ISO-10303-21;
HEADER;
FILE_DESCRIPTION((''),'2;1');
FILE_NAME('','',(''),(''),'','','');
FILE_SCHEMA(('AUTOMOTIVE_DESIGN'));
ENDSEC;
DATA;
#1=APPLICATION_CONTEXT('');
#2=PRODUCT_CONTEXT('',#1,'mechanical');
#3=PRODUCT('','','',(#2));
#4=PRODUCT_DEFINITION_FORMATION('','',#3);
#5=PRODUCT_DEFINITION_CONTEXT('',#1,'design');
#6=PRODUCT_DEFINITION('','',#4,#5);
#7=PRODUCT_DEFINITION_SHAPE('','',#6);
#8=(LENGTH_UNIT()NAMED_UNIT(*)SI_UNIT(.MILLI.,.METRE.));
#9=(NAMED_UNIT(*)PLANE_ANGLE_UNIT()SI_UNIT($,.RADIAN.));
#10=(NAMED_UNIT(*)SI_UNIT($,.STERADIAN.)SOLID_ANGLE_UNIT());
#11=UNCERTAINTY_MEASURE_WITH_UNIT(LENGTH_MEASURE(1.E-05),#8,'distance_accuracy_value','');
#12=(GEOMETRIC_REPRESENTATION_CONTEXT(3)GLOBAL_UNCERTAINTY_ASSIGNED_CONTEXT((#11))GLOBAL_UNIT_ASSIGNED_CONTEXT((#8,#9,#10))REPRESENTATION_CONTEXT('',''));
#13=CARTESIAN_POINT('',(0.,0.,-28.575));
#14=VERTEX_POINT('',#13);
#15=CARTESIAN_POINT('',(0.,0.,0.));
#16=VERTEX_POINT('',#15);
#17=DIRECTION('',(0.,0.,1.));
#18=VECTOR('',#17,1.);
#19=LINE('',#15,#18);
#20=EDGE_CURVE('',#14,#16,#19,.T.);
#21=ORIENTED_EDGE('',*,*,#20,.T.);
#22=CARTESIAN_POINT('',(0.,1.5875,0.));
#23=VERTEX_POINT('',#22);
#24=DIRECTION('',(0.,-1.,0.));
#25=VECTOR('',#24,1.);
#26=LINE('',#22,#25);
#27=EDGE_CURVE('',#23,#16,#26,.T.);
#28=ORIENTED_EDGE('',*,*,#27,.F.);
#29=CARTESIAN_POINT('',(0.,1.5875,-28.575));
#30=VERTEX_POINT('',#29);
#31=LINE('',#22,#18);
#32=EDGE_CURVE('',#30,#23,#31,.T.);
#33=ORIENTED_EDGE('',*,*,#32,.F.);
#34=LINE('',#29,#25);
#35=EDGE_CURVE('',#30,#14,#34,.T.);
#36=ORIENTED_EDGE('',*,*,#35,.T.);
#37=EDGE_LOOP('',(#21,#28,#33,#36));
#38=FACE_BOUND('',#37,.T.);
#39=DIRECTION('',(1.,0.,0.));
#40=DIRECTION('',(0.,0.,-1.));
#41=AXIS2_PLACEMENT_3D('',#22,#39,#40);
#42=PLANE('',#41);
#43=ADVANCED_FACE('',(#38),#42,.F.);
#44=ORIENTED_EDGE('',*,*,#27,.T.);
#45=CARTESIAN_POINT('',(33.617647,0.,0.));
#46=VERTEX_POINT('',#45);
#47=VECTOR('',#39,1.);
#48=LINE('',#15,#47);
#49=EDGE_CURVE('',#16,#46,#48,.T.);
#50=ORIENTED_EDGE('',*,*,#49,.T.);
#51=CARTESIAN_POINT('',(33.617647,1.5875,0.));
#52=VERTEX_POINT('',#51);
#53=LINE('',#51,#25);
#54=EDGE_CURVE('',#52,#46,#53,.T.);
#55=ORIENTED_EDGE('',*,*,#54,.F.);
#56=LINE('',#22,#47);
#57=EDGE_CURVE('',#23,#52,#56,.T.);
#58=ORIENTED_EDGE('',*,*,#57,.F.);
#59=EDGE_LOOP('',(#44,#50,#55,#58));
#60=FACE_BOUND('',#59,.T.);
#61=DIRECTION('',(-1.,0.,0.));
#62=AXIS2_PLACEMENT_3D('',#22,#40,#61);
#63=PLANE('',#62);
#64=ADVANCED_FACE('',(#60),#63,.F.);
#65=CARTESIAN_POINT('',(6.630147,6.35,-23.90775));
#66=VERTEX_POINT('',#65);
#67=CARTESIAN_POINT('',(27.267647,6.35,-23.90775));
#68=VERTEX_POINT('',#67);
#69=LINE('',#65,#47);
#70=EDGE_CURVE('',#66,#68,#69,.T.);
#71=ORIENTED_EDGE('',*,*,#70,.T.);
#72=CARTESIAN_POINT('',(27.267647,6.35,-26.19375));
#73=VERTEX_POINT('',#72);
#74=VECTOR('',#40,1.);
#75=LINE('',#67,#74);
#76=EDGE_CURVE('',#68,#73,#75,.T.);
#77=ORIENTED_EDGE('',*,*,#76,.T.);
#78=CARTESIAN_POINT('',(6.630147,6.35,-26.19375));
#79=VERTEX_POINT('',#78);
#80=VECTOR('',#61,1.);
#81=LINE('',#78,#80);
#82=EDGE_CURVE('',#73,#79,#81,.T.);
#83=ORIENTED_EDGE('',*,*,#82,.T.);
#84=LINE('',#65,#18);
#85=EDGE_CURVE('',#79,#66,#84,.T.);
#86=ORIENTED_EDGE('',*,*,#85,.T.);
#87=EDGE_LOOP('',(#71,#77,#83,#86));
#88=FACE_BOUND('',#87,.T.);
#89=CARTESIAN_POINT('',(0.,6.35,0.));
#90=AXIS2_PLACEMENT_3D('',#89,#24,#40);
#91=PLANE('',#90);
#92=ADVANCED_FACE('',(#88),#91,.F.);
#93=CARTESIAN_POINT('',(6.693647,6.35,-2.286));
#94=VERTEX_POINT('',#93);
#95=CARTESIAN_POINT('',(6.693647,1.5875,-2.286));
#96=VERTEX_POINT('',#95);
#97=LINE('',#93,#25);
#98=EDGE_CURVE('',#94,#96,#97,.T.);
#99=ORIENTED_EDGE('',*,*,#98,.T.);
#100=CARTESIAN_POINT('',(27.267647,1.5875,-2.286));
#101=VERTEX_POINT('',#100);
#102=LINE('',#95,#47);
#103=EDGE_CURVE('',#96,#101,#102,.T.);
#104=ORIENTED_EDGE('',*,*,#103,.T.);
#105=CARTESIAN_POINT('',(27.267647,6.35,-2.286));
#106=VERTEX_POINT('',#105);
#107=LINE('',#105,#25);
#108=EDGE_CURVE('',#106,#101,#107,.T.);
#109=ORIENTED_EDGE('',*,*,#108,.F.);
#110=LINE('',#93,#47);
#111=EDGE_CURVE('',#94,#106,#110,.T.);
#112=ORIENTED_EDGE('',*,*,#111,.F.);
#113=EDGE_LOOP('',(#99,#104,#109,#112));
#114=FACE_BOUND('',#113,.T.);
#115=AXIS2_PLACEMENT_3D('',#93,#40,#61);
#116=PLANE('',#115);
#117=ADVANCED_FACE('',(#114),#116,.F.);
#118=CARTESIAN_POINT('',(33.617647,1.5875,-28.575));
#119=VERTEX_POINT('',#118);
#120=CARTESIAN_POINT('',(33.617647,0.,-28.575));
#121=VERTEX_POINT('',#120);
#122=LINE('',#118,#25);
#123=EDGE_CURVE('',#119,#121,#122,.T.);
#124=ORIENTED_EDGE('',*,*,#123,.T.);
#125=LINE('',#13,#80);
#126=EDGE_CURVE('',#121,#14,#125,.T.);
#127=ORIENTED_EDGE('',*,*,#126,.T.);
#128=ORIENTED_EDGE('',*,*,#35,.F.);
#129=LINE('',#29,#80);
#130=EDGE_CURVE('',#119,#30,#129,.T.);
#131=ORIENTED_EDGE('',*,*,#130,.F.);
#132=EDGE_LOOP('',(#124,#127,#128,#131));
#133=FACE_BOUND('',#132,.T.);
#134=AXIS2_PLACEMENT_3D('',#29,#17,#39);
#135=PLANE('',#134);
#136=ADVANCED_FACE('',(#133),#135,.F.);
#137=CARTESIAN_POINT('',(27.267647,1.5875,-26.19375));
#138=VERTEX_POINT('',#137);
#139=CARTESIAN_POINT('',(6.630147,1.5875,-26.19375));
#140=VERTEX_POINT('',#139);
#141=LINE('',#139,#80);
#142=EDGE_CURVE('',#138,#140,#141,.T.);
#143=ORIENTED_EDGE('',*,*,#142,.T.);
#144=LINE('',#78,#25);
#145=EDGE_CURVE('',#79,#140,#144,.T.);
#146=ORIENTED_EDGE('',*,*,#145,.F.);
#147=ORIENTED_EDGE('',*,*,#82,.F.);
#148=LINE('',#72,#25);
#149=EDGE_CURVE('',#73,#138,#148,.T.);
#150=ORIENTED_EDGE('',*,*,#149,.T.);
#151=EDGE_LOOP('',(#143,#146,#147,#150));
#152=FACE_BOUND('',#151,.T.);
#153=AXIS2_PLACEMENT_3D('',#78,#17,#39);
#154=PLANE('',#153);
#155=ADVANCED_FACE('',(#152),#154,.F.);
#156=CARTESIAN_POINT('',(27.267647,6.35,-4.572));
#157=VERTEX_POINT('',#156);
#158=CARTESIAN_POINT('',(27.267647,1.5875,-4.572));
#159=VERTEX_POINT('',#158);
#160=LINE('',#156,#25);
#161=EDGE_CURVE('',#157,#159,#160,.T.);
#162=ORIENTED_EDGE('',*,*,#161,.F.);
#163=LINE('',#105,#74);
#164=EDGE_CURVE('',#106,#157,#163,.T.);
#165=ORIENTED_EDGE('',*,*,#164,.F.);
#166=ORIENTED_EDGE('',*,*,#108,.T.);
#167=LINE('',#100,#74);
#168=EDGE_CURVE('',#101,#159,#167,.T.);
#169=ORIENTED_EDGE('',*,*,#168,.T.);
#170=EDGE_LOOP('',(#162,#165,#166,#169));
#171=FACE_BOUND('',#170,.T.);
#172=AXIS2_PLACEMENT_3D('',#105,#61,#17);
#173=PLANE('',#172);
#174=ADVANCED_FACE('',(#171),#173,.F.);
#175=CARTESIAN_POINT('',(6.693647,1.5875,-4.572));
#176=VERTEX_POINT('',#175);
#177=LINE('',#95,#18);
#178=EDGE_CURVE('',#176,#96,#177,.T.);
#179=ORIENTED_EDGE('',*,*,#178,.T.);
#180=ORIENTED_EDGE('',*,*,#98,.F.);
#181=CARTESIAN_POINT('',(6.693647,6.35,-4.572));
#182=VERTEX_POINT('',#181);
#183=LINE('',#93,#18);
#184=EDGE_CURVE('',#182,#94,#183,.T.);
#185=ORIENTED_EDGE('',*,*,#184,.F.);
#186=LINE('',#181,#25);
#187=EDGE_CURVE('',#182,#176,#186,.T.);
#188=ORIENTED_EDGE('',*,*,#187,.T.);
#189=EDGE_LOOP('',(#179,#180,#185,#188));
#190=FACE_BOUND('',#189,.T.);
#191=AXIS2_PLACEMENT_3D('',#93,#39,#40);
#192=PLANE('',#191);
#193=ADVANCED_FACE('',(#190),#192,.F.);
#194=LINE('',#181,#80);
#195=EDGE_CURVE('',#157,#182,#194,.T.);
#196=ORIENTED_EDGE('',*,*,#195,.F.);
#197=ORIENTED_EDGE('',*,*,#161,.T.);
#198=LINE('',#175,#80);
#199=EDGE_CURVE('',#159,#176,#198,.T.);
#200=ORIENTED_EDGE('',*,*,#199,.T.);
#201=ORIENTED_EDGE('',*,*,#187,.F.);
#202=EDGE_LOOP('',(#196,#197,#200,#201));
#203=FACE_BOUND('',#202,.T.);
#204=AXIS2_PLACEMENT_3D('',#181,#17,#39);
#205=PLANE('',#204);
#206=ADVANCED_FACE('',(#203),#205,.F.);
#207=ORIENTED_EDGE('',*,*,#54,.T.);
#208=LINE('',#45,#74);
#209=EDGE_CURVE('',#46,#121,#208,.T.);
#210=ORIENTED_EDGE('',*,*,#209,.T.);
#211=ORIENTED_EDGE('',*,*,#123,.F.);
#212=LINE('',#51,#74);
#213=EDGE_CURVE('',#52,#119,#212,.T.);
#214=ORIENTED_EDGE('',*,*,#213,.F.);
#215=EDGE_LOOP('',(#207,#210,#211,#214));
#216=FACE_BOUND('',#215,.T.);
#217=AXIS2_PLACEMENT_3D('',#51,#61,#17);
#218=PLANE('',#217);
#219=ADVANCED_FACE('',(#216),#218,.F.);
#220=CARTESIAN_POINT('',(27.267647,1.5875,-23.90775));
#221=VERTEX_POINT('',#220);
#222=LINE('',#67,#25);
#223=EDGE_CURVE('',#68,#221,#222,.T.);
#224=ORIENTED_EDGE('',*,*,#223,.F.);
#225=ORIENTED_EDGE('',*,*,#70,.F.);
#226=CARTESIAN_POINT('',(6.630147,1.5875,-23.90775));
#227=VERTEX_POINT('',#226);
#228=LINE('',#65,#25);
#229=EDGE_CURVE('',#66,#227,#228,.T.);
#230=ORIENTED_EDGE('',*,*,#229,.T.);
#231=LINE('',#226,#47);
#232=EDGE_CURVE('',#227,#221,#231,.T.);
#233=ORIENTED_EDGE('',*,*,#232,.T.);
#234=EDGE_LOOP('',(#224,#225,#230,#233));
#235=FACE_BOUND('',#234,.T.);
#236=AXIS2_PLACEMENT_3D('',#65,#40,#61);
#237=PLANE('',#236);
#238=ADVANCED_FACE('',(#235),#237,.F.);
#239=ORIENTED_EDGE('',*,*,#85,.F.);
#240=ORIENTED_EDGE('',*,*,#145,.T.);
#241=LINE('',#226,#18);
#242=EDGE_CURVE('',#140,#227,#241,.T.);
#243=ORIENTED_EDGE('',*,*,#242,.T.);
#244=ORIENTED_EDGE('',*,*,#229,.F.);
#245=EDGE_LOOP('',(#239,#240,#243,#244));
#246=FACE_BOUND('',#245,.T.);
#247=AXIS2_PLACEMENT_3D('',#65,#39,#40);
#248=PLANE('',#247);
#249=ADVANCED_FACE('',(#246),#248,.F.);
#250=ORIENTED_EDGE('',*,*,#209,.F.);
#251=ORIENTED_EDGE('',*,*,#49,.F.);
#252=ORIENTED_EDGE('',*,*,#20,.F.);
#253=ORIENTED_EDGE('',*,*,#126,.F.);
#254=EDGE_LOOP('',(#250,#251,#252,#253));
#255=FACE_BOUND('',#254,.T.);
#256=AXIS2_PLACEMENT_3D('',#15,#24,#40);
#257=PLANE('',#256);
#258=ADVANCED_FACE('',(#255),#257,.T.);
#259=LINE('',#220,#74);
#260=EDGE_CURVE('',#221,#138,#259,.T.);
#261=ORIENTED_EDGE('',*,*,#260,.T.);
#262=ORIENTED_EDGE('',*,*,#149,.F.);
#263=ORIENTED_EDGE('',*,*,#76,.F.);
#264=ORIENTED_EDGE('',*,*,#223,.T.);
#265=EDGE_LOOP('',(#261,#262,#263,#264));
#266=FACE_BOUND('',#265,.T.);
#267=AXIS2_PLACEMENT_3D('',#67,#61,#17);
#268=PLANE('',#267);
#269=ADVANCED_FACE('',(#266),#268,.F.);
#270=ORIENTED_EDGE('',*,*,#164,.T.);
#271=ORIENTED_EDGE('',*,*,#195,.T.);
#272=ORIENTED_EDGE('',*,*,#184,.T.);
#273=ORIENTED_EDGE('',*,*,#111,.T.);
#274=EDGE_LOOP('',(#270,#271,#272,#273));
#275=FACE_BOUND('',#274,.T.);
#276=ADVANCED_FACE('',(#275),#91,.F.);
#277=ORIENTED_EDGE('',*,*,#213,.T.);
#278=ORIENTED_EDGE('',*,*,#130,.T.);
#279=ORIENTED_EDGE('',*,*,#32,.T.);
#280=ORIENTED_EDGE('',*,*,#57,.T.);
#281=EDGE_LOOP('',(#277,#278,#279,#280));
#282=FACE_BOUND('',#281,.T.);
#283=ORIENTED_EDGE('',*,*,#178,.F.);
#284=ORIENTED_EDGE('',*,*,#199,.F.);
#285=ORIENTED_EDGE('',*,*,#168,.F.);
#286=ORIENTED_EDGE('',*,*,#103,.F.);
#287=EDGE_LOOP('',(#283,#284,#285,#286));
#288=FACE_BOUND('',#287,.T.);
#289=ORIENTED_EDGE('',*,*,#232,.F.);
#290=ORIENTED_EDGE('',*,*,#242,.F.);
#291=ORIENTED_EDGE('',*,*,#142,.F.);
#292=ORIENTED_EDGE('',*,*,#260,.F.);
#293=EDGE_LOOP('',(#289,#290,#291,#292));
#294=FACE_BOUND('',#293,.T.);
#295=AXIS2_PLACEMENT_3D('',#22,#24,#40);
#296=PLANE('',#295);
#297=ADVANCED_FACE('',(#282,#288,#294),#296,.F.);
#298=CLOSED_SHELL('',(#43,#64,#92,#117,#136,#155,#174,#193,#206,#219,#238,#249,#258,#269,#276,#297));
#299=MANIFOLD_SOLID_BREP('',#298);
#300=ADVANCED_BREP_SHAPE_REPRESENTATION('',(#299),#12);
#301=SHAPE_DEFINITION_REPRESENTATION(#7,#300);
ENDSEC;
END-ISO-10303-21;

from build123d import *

# Parameters (mm, degrees)
SKETCH1_W           = 33.617647014
SKETCH1_H           = 28.575
BOSS_EXTRUDE1_DEPTH = 1.5875
SKETCH2_W           = 20.574
SKETCH2_H           = 2.286
SKETCH2_W_2         = 20.6375
BOSS_EXTRUDE2_DEPTH = 4.7625


with BuildPart() as part:
    # Sketch1 → Boss-Extrude1 (new body)
    with BuildSketch(Plane(origin=(0, 0, 0), x_dir=(1, 0, 0), z_dir=(0, 1, 0))):
        with Locations((16.808823507, 14.2875)):
            Rectangle(SKETCH1_W, SKETCH1_H)
    extrude(amount=BOSS_EXTRUDE1_DEPTH)

    # Sketch2 → Boss-Extrude2 (add)
    with BuildSketch(Plane(origin=(0, 1.5875, 0), x_dir=(1, 0, 0), z_dir=(0, 1, 0))):
        with Locations((16.980647014, 3.429)):
            Rectangle(SKETCH2_W, SKETCH2_H)
        with Locations((16.948897014, 25.05075)):
            Rectangle(SKETCH2_W_2, SKETCH2_H)
    extrude(amount=BOSS_EXTRUDE2_DEPTH)


solid = part.part
